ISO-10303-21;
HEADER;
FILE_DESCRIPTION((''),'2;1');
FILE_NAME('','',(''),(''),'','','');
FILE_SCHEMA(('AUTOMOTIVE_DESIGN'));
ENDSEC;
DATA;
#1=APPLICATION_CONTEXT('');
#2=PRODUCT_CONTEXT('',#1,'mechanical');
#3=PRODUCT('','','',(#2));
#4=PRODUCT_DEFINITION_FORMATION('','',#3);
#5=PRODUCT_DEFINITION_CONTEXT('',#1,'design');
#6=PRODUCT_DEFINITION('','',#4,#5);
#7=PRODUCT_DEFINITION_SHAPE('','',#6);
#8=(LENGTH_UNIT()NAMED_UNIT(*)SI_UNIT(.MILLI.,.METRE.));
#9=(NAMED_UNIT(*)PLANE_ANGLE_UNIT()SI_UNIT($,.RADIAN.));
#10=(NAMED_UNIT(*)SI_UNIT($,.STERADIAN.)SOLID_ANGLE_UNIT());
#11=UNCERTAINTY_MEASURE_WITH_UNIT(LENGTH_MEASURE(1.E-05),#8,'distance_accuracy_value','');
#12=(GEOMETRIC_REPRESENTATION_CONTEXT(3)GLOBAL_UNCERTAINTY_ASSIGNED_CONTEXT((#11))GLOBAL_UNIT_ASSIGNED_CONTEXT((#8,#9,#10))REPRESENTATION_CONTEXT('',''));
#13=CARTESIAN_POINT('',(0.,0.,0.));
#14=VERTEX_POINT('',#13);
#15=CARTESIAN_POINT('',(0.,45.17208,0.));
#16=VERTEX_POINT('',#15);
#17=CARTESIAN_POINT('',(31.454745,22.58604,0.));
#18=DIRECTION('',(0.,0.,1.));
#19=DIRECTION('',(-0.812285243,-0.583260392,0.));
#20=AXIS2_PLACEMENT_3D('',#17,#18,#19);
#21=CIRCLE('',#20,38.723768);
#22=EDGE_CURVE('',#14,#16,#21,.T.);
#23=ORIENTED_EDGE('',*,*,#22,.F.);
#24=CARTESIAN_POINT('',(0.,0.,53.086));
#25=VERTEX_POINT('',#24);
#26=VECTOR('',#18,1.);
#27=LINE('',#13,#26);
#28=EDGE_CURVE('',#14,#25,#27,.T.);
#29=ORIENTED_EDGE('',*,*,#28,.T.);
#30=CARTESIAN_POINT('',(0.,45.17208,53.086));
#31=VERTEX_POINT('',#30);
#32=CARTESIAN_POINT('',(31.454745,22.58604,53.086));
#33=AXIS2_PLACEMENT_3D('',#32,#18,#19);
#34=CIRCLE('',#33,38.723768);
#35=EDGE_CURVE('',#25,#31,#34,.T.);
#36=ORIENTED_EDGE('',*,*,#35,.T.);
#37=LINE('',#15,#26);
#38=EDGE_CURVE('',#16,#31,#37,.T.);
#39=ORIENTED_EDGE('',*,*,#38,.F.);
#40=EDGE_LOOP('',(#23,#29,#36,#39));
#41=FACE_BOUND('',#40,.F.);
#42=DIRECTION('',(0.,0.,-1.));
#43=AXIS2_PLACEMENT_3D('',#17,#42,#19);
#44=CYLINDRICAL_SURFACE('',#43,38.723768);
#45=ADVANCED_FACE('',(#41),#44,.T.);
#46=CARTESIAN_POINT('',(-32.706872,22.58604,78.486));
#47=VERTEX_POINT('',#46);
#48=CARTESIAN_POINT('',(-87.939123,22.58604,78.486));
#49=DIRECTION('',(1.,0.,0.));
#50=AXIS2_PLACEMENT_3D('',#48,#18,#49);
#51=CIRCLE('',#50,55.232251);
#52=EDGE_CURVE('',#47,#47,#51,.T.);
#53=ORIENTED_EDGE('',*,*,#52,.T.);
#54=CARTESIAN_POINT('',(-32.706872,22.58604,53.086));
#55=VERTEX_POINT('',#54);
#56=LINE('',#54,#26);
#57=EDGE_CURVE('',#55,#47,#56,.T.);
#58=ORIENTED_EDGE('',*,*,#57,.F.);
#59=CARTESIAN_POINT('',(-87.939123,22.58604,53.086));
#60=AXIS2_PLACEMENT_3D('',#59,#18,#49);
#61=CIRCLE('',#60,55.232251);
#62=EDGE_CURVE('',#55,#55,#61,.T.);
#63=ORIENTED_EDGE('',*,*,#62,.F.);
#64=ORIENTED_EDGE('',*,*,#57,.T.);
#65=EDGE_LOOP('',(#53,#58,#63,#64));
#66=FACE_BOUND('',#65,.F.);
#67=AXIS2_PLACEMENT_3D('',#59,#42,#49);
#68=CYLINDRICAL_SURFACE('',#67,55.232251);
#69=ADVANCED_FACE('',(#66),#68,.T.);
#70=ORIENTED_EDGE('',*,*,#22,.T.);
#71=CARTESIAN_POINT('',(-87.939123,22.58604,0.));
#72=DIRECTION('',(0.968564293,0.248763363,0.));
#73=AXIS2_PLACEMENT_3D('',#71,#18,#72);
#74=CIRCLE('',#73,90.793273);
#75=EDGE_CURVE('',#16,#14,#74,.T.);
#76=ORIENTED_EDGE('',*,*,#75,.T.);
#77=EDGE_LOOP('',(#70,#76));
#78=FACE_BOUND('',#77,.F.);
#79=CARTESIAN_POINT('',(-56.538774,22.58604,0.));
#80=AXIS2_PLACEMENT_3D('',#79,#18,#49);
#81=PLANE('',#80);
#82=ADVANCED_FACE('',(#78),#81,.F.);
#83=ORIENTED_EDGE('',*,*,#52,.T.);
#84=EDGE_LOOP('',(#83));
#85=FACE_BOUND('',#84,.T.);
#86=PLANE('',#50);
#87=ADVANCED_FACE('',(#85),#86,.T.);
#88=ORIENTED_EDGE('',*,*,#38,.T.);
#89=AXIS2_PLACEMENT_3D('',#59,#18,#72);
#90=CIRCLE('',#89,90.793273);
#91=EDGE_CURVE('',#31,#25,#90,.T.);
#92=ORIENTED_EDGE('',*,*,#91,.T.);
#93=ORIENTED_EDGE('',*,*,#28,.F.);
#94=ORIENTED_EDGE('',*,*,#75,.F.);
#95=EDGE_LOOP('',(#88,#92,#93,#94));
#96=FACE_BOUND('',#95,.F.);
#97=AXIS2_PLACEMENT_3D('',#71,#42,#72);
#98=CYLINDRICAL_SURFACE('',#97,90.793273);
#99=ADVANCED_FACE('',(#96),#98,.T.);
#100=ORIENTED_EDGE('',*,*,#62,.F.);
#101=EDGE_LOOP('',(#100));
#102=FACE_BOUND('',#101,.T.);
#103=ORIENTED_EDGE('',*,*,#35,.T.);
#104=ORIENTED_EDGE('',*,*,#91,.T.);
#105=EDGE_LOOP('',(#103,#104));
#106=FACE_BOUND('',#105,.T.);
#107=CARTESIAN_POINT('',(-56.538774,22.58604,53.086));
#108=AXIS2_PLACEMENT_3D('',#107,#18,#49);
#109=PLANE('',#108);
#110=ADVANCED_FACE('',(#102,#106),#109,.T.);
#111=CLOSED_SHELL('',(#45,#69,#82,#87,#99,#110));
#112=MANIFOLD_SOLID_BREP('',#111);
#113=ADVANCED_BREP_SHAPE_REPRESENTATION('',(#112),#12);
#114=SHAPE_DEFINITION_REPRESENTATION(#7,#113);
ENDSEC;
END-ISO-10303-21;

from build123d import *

# Parameters (mm, degrees)
F1_DEPTH = 53.086
F2_R     = 55.232251
F3_DEPTH = 25.4


with BuildPart() as f1:
    # F0 (on Top) → F1 (new body)
    with BuildSketch(Plane.XY):
        with BuildLine():
            ThreePointArc((0, 45.17208), (-178.732396, 22.58604), (0, 0))
            ThreePointArc((0, 0), (70.178513, 22.58604), (0, 45.17208))
        make_face()
    extrude(amount=F1_DEPTH)

    # F2 (on face) → F3 (join)
    with BuildSketch(Plane.XY.offset(53.086)):
        with Locations((-87.939123, 22.58604)):
            Circle(F2_R)
    extrude(amount=F3_DEPTH)


solid = f1.part
